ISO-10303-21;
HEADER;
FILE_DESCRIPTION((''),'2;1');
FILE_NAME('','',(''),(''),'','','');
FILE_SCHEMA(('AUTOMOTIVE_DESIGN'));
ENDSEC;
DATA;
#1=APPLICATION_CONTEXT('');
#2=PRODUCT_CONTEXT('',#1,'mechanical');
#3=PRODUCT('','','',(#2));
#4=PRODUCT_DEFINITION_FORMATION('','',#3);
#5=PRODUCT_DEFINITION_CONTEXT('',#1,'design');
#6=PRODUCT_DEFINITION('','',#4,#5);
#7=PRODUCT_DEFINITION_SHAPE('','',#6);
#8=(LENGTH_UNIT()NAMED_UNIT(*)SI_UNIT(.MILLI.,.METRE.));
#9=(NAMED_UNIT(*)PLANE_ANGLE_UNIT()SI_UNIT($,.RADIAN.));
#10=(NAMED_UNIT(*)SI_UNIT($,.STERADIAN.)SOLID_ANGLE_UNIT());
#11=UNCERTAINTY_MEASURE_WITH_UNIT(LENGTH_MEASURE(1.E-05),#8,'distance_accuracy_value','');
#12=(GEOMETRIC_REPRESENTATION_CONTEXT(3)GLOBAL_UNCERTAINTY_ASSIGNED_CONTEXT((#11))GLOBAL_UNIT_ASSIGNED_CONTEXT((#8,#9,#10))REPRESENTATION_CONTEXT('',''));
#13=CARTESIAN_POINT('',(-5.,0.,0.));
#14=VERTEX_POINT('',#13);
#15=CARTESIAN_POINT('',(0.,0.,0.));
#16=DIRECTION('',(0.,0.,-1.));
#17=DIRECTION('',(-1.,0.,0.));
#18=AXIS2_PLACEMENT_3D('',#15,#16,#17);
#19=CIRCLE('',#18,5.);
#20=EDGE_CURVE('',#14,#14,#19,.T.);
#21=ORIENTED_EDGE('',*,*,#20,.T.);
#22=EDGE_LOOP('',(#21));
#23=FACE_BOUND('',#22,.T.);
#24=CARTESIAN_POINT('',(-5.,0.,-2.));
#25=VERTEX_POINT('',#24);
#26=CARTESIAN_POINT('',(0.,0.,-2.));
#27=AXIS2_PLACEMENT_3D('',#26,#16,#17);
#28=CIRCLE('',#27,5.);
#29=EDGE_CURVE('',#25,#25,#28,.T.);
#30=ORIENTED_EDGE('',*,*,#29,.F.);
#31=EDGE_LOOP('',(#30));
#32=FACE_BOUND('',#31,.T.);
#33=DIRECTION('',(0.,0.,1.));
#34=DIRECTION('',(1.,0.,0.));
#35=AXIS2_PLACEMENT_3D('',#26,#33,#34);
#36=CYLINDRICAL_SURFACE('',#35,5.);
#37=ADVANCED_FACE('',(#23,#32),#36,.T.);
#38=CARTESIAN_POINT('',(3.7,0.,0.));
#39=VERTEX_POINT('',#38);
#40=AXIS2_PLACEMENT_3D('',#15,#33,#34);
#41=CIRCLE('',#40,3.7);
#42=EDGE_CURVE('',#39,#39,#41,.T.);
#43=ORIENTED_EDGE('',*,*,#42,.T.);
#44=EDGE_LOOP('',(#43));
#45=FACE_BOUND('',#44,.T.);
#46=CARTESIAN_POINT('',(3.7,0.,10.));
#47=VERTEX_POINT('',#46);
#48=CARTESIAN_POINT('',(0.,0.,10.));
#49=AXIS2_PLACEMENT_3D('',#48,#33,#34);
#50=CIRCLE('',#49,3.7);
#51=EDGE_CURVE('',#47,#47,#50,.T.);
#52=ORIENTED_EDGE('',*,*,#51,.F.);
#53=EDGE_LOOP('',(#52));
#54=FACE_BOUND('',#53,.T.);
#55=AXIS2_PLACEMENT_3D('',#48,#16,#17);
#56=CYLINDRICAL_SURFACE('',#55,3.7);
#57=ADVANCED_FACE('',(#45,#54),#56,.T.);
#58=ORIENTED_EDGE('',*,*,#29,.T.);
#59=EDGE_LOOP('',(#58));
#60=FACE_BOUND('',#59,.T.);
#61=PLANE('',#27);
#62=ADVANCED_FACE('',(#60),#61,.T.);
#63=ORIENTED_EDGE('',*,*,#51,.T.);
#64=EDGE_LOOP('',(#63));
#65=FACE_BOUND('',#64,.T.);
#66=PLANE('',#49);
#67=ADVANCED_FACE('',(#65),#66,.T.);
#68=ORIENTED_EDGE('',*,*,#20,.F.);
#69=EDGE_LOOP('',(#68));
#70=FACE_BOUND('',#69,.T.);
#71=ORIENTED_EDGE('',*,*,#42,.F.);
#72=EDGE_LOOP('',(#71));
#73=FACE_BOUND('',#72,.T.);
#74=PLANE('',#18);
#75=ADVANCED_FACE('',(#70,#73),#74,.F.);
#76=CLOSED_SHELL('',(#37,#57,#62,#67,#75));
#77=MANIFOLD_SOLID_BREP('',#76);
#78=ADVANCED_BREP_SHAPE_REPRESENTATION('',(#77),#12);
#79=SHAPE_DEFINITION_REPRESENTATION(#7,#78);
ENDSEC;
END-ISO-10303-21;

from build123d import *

# Parameters (mm, degrees)
SKETCH1_R           = 3.7
BOSS_EXTRUDE1_DEPTH = 10
SKETCH2_R           = 5
BOSS_EXTRUDE2_DEPTH = 2


with BuildPart() as part:
    # Sketch1 → Boss-Extrude1 (new body)
    with BuildSketch(Plane.XY):
        Circle(SKETCH1_R)
    extrude(amount=BOSS_EXTRUDE1_DEPTH)

    # Sketch2 → Boss-Extrude2 (add)
    with BuildSketch(Plane(origin=(0, 0, 0), x_dir=(-1, 0, 0), z_dir=(0, 0, -1))):
        Circle(SKETCH2_R)
    extrude(amount=BOSS_EXTRUDE2_DEPTH)


solid = part.part
